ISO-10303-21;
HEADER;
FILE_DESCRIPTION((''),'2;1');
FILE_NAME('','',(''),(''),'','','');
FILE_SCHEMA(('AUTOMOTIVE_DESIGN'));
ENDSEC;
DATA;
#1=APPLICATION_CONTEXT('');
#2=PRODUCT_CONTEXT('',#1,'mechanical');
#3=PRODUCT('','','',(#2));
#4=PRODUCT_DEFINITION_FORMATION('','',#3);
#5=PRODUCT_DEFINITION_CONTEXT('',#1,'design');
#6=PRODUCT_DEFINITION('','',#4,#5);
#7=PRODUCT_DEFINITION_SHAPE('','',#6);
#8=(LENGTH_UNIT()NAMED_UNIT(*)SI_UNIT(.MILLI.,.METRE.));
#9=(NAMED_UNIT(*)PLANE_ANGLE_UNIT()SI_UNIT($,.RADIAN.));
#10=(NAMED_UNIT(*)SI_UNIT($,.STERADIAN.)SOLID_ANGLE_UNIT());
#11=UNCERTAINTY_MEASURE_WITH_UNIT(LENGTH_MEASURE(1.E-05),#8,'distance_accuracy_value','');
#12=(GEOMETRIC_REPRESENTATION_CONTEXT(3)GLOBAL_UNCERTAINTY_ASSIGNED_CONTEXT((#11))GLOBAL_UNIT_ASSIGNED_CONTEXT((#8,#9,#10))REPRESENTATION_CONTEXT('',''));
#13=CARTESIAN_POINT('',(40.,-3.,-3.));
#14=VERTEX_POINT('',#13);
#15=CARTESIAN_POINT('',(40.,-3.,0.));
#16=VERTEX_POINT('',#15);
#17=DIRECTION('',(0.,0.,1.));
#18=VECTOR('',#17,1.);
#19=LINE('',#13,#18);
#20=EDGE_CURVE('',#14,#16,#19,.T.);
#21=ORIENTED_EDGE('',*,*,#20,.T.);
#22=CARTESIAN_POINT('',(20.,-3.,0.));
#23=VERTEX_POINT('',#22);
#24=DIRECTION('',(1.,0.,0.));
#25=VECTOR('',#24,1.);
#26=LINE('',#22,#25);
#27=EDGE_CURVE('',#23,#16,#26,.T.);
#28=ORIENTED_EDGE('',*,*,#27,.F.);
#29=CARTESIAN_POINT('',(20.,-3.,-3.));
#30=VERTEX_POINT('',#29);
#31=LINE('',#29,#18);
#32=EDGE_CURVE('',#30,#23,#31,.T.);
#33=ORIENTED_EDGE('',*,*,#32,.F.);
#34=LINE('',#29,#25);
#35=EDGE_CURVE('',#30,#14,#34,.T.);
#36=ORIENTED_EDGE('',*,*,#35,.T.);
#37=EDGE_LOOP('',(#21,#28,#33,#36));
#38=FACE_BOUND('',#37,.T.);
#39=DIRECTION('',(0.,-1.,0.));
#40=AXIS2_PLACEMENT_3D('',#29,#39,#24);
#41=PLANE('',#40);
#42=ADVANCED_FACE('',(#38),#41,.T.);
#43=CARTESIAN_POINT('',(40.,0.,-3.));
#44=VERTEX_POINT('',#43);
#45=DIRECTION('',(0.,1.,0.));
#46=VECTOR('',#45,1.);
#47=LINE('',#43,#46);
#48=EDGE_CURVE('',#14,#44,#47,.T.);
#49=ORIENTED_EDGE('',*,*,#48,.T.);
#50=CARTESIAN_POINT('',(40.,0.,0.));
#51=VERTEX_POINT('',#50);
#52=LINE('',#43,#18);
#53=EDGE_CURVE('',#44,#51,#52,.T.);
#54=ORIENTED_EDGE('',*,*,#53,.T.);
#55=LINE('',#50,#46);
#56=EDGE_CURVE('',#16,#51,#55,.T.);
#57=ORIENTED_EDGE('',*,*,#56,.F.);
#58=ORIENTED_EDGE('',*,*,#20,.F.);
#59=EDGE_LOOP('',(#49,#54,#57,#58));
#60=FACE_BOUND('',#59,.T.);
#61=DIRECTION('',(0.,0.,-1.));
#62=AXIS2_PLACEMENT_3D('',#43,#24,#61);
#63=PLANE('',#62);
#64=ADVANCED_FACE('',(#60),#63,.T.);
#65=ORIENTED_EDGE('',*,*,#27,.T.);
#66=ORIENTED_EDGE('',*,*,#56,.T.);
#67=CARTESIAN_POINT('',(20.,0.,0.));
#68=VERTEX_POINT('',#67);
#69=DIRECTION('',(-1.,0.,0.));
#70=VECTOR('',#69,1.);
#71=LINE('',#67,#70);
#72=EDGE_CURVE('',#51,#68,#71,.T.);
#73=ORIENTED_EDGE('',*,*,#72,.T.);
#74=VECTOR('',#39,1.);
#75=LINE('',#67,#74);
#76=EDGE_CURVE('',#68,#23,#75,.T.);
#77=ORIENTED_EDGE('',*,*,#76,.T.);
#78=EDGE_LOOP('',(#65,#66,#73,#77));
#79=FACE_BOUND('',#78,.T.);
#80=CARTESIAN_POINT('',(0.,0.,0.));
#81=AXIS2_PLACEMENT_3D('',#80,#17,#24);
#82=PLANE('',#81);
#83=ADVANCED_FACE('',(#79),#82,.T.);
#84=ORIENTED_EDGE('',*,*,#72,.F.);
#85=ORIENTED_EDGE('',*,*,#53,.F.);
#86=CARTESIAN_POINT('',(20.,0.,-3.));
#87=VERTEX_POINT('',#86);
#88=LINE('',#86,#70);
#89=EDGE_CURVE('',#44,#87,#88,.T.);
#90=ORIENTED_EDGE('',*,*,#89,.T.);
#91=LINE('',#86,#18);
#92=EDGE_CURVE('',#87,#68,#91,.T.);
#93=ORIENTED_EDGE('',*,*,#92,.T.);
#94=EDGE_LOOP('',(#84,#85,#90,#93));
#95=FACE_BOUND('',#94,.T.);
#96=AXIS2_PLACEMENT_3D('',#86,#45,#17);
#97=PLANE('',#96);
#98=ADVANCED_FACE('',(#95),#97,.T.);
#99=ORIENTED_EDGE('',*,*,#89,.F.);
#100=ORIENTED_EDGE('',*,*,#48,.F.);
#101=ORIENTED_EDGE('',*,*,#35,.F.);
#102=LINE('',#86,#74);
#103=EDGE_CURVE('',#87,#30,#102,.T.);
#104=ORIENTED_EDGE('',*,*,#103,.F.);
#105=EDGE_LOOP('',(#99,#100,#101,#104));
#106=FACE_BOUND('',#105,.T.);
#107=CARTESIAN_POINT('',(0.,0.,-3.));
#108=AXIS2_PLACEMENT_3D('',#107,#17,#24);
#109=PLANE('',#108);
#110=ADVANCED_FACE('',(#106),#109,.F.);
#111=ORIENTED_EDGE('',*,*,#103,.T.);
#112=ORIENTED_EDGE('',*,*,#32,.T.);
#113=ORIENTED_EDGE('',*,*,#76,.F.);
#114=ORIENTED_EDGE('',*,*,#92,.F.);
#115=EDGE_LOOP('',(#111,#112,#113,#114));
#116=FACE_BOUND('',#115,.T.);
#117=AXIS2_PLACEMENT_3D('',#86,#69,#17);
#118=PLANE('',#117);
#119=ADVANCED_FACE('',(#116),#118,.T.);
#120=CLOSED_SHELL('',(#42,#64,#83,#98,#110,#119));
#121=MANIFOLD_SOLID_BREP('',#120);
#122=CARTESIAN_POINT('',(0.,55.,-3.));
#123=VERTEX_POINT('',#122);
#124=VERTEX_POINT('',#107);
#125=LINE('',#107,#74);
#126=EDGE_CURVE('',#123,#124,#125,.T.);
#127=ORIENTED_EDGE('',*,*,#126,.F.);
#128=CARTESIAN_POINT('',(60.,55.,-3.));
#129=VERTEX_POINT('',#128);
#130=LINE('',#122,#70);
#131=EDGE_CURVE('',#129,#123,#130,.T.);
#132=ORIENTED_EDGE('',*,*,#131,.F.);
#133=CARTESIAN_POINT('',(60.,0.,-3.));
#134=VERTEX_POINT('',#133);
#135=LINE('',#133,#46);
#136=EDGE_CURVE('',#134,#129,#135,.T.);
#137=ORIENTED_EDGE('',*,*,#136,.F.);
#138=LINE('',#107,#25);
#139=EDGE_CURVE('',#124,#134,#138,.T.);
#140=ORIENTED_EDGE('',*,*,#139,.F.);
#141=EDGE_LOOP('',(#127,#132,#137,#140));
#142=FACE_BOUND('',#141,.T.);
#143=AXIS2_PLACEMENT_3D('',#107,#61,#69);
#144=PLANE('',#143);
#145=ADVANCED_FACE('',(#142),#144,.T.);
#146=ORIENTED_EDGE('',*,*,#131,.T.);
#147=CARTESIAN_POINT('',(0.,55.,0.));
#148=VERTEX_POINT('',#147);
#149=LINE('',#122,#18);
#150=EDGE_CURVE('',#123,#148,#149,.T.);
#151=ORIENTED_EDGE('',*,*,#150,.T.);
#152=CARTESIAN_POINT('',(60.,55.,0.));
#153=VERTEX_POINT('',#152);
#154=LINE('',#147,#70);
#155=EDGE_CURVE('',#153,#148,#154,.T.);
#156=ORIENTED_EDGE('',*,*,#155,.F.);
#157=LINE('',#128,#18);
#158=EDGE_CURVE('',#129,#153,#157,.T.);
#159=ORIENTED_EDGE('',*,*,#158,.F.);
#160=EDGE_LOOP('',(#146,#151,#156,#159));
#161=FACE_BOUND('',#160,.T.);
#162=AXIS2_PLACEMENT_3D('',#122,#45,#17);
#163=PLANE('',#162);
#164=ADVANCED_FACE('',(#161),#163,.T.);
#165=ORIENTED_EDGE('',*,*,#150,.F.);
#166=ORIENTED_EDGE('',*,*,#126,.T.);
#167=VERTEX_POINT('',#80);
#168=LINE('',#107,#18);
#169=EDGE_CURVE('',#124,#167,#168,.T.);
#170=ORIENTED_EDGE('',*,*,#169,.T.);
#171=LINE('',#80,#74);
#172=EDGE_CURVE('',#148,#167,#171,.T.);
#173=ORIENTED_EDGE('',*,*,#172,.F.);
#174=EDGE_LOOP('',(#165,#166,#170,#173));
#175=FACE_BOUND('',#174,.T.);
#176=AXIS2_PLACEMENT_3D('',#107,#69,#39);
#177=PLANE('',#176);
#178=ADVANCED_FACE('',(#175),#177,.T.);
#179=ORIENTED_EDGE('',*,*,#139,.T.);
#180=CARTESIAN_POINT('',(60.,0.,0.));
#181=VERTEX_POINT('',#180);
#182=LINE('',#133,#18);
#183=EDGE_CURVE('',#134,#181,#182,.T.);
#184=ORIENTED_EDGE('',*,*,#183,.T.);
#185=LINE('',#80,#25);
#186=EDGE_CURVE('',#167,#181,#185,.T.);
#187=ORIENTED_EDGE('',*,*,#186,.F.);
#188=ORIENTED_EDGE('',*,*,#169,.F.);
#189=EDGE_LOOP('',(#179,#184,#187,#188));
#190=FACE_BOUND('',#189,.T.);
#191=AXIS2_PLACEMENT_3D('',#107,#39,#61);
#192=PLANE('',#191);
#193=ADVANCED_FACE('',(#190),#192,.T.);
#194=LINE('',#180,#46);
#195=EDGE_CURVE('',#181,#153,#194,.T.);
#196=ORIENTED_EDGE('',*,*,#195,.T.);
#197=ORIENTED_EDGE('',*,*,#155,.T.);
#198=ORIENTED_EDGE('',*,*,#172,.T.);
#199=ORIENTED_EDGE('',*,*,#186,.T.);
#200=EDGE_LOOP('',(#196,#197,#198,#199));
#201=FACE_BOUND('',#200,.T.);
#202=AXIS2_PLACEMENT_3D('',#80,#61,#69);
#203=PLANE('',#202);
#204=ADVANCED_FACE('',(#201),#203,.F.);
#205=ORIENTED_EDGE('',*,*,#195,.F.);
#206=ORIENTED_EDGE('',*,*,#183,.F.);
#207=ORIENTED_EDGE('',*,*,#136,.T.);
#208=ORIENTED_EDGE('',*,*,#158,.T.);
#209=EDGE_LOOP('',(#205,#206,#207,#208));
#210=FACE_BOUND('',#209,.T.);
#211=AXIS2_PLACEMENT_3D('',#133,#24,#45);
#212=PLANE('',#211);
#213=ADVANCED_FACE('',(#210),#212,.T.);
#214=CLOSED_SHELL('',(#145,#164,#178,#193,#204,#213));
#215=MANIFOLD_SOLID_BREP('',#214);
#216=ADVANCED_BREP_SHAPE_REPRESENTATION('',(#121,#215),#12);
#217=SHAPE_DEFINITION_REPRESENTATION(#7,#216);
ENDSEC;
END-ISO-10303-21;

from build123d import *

# Parameters (mm, degrees)
SKETCH2_W           = 60
SKETCH2_H           = 55
BOSS_EXTRUDE1_DEPTH = 3
SKETCH3_W           = 20
SKETCH3_H           = 3
BOSS_EXTRUDE2_DEPTH = 3


with BuildPart() as part:
    # Sketch2 → Boss-Extrude1 (new body)
    with BuildSketch(Plane.XY):
        with Locations((30, 27.5)):
            Rectangle(SKETCH2_W, SKETCH2_H)
    extrude(amount=-BOSS_EXTRUDE1_DEPTH)


with BuildPart() as body_2:
    # Sketch3 → Boss-Extrude2 (new body)
    with BuildSketch(Plane.XY):
        with Locations((30, -1.5)):
            Rectangle(SKETCH3_W, SKETCH3_H)
    extrude(amount=-BOSS_EXTRUDE2_DEPTH)


solid = Compound([part.part, body_2.part])
